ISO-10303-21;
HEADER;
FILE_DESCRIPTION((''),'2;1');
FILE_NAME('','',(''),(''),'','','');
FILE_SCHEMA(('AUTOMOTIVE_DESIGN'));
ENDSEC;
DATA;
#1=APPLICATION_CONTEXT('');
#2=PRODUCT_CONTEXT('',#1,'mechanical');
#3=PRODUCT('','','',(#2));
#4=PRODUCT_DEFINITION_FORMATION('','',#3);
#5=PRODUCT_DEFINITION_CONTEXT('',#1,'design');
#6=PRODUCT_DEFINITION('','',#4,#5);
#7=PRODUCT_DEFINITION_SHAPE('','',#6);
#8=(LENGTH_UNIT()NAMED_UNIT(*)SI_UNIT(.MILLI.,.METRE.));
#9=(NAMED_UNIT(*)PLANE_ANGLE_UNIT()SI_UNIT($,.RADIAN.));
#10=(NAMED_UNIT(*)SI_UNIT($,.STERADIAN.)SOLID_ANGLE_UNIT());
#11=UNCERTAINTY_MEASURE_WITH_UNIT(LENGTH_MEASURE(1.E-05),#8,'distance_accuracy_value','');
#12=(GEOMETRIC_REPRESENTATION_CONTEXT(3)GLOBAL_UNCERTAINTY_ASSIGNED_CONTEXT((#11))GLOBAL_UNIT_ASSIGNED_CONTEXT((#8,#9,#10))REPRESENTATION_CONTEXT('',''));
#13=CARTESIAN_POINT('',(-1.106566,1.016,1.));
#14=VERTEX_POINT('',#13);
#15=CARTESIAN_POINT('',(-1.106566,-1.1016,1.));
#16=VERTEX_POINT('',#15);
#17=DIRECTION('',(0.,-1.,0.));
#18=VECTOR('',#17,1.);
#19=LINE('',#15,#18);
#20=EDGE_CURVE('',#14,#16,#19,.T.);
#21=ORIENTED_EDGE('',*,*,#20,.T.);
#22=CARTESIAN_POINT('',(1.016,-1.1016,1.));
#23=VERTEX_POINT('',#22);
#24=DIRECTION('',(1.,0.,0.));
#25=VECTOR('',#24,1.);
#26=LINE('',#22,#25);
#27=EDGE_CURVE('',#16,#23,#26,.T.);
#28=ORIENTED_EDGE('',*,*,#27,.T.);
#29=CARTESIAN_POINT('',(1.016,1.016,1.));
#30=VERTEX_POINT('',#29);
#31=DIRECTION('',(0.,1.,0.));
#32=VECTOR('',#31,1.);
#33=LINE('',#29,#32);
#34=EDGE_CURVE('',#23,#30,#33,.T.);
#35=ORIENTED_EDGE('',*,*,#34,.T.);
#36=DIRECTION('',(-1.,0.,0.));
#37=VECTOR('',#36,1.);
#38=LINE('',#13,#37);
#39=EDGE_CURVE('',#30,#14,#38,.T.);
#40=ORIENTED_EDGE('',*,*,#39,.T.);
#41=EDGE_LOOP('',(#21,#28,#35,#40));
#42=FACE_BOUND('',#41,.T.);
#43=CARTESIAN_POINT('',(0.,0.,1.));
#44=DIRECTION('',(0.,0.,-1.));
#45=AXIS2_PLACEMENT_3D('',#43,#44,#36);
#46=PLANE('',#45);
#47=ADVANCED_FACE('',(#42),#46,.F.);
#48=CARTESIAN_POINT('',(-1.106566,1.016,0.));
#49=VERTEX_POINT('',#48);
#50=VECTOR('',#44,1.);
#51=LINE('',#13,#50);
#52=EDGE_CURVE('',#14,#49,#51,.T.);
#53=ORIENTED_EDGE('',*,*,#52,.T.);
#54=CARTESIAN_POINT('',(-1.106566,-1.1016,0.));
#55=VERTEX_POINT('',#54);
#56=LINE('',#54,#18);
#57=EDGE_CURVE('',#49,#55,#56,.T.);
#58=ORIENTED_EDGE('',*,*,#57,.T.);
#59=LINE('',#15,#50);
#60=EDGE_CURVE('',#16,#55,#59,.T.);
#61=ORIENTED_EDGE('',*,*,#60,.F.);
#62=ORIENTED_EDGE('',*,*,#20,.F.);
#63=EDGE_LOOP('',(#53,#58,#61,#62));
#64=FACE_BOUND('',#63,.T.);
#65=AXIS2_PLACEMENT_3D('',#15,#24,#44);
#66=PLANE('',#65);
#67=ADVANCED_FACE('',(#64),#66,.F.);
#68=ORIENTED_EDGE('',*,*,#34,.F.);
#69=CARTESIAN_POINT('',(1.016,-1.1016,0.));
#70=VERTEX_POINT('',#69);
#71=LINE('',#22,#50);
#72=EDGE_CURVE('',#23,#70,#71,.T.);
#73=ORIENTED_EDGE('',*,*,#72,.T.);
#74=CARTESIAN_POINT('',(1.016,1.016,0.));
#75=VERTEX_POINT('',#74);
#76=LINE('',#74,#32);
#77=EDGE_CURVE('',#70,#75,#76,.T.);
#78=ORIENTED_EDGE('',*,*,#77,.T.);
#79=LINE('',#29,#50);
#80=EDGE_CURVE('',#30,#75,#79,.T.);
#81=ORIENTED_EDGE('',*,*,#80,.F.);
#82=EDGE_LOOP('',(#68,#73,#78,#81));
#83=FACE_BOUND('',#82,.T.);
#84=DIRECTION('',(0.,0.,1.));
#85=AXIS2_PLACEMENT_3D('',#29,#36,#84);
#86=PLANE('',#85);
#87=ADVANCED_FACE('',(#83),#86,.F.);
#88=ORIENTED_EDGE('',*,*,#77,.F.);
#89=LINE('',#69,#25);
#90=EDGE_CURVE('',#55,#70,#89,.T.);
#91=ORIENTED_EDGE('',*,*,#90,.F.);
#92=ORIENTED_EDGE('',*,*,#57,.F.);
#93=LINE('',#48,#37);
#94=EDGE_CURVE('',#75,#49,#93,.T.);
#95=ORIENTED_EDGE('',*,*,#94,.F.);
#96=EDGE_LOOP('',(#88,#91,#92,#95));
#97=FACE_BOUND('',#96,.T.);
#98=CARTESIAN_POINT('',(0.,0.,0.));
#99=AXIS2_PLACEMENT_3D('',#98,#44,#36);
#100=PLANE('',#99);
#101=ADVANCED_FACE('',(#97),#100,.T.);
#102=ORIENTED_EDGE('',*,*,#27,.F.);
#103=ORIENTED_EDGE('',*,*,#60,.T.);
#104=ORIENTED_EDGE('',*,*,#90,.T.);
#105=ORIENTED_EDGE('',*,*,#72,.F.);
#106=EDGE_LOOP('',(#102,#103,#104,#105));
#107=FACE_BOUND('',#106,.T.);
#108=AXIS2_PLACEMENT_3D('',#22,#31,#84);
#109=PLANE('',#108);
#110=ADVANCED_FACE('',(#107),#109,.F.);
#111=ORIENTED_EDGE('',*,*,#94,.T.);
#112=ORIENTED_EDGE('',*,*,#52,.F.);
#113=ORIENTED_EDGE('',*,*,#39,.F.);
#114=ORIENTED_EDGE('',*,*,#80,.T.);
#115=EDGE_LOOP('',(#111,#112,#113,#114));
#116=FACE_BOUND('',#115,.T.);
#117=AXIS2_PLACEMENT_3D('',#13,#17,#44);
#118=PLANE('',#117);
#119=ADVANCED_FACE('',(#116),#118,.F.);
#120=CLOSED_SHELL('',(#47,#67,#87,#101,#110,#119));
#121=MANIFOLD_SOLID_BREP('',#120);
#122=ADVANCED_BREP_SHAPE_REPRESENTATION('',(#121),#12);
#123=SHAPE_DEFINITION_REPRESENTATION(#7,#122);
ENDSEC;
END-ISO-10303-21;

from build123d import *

# Parameters (mm, degrees)
SKETCH1_W               = 2.122566
SKETCH1_H               = 2.1176
COMPONENT_OUTLINE_DEPTH = 1


with BuildPart() as part:
    # Sketch1 → Component_Outline (new body)
    with BuildSketch(Plane.XY):
        with Locations((-0.045283, -0.0428)):
            Rectangle(SKETCH1_W, SKETCH1_H)
    extrude(amount=COMPONENT_OUTLINE_DEPTH)


solid = part.part
